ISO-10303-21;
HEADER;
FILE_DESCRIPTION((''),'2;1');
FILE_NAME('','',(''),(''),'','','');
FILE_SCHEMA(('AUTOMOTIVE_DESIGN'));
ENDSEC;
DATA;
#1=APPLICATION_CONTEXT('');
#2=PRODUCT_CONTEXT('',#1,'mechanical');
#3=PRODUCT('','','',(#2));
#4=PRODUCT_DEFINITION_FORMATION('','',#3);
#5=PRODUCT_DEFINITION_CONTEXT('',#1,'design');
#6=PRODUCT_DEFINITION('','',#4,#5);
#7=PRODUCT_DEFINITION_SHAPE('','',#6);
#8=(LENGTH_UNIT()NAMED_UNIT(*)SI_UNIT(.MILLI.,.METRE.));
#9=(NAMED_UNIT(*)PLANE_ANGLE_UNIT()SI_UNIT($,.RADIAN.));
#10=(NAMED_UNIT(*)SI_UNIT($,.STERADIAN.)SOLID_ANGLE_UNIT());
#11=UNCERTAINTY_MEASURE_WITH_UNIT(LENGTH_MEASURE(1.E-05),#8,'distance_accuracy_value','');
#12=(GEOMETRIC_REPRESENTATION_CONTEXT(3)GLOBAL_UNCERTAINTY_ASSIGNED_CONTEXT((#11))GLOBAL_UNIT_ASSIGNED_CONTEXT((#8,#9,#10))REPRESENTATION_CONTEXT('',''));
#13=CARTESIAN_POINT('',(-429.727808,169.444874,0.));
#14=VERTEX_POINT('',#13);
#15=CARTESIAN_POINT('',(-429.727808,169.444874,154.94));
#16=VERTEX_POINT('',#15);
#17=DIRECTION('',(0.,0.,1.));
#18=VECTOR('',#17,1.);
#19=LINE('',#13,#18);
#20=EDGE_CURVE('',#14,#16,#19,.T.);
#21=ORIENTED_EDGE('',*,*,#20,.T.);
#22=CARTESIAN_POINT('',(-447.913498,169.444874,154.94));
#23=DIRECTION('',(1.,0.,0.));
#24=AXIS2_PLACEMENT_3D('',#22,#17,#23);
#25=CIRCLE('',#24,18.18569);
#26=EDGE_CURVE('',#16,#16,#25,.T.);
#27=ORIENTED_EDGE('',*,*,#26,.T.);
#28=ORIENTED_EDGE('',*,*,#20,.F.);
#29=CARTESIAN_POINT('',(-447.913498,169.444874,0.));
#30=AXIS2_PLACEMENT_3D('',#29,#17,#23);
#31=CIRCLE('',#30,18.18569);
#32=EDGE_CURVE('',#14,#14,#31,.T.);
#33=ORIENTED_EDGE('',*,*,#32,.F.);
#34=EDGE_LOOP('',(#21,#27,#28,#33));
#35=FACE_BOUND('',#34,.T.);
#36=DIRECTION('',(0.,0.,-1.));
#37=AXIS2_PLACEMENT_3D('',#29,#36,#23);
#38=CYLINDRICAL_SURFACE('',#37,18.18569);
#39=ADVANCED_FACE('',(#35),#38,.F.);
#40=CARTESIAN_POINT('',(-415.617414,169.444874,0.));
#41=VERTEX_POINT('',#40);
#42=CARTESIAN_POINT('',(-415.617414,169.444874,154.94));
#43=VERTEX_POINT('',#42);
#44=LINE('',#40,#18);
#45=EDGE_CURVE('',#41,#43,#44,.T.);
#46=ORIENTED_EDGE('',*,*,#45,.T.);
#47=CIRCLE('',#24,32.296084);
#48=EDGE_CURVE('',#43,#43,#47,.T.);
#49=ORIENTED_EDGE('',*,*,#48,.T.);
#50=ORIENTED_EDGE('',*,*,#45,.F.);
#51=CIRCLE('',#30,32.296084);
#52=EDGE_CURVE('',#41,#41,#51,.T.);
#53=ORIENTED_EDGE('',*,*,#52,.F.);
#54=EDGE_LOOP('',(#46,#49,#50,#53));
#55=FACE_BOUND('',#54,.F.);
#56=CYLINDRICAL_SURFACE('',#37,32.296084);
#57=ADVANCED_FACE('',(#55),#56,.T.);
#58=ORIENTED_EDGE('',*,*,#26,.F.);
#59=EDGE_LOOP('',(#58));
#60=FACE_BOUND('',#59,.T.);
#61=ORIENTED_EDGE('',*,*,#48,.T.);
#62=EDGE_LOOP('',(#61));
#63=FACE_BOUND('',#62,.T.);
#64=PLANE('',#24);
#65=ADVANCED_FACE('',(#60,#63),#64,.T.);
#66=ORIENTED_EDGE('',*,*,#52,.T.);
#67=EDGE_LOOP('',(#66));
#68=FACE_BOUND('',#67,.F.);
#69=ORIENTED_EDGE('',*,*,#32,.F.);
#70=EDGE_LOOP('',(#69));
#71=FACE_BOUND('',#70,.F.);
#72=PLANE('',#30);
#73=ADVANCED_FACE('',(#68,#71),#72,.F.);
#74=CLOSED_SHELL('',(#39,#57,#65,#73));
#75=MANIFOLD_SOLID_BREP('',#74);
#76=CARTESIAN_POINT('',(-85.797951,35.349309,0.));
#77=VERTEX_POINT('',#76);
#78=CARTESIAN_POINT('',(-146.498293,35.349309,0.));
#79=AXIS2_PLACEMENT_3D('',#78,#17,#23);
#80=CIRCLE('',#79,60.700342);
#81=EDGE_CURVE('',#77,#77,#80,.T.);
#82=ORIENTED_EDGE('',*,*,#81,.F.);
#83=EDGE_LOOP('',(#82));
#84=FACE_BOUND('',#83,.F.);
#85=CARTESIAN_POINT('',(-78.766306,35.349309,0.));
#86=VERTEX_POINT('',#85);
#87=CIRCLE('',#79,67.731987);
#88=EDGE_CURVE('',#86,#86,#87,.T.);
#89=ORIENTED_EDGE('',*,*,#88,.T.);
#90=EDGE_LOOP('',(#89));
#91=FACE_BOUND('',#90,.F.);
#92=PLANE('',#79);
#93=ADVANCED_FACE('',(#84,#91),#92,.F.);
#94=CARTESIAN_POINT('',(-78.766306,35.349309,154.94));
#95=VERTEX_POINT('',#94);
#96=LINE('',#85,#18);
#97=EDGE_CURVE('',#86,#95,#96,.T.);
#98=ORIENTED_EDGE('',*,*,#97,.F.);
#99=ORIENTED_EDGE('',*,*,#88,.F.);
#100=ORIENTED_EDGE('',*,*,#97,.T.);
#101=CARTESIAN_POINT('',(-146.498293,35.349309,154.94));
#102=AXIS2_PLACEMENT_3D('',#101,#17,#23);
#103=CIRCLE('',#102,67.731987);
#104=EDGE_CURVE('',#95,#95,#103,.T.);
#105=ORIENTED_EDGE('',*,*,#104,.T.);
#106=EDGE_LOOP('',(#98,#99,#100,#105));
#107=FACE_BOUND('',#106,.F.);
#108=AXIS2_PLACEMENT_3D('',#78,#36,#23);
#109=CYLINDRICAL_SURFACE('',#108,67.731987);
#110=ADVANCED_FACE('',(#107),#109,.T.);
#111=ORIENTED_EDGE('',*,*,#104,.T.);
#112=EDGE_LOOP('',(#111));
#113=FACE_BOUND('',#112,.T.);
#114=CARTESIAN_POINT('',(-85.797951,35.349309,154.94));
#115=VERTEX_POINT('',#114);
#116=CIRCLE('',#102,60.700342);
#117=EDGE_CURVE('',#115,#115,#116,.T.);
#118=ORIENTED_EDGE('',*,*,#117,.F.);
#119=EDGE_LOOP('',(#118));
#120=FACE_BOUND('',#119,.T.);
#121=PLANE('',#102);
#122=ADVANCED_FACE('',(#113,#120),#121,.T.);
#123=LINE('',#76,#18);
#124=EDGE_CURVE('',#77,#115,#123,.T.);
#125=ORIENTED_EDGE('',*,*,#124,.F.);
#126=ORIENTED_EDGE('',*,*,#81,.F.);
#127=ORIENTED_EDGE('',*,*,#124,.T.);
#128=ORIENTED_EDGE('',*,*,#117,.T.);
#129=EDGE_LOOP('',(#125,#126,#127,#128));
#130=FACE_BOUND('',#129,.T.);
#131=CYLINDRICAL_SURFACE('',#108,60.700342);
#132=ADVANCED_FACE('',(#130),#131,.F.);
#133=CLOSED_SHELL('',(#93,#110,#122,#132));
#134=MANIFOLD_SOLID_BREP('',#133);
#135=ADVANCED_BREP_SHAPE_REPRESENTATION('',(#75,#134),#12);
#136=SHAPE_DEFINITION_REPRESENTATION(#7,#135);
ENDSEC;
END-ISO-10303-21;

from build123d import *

# Parameters (mm, degrees)
F0_R     = 32.296084
F0_R_2   = 18.18569
F0_R_3   = 67.731987
F0_R_4   = 60.700342
F1_DEPTH = 154.94


with BuildPart() as f1:
    # F0 (on Top) → F1 (new body)
    with BuildSketch(Plane.XY):
        with Locations((-447.913498, 169.444874)):
            Circle(F0_R)
        with Locations((-447.913498, 169.444874)):
            Circle(F0_R_2, mode=Mode.SUBTRACT)
        with Locations((-146.498293, 35.349309)):
            Circle(F0_R_3)
        with Locations((-146.498293, 35.349309)):
            Circle(F0_R_4, mode=Mode.SUBTRACT)
    extrude(amount=F1_DEPTH)


solid = f1.part
